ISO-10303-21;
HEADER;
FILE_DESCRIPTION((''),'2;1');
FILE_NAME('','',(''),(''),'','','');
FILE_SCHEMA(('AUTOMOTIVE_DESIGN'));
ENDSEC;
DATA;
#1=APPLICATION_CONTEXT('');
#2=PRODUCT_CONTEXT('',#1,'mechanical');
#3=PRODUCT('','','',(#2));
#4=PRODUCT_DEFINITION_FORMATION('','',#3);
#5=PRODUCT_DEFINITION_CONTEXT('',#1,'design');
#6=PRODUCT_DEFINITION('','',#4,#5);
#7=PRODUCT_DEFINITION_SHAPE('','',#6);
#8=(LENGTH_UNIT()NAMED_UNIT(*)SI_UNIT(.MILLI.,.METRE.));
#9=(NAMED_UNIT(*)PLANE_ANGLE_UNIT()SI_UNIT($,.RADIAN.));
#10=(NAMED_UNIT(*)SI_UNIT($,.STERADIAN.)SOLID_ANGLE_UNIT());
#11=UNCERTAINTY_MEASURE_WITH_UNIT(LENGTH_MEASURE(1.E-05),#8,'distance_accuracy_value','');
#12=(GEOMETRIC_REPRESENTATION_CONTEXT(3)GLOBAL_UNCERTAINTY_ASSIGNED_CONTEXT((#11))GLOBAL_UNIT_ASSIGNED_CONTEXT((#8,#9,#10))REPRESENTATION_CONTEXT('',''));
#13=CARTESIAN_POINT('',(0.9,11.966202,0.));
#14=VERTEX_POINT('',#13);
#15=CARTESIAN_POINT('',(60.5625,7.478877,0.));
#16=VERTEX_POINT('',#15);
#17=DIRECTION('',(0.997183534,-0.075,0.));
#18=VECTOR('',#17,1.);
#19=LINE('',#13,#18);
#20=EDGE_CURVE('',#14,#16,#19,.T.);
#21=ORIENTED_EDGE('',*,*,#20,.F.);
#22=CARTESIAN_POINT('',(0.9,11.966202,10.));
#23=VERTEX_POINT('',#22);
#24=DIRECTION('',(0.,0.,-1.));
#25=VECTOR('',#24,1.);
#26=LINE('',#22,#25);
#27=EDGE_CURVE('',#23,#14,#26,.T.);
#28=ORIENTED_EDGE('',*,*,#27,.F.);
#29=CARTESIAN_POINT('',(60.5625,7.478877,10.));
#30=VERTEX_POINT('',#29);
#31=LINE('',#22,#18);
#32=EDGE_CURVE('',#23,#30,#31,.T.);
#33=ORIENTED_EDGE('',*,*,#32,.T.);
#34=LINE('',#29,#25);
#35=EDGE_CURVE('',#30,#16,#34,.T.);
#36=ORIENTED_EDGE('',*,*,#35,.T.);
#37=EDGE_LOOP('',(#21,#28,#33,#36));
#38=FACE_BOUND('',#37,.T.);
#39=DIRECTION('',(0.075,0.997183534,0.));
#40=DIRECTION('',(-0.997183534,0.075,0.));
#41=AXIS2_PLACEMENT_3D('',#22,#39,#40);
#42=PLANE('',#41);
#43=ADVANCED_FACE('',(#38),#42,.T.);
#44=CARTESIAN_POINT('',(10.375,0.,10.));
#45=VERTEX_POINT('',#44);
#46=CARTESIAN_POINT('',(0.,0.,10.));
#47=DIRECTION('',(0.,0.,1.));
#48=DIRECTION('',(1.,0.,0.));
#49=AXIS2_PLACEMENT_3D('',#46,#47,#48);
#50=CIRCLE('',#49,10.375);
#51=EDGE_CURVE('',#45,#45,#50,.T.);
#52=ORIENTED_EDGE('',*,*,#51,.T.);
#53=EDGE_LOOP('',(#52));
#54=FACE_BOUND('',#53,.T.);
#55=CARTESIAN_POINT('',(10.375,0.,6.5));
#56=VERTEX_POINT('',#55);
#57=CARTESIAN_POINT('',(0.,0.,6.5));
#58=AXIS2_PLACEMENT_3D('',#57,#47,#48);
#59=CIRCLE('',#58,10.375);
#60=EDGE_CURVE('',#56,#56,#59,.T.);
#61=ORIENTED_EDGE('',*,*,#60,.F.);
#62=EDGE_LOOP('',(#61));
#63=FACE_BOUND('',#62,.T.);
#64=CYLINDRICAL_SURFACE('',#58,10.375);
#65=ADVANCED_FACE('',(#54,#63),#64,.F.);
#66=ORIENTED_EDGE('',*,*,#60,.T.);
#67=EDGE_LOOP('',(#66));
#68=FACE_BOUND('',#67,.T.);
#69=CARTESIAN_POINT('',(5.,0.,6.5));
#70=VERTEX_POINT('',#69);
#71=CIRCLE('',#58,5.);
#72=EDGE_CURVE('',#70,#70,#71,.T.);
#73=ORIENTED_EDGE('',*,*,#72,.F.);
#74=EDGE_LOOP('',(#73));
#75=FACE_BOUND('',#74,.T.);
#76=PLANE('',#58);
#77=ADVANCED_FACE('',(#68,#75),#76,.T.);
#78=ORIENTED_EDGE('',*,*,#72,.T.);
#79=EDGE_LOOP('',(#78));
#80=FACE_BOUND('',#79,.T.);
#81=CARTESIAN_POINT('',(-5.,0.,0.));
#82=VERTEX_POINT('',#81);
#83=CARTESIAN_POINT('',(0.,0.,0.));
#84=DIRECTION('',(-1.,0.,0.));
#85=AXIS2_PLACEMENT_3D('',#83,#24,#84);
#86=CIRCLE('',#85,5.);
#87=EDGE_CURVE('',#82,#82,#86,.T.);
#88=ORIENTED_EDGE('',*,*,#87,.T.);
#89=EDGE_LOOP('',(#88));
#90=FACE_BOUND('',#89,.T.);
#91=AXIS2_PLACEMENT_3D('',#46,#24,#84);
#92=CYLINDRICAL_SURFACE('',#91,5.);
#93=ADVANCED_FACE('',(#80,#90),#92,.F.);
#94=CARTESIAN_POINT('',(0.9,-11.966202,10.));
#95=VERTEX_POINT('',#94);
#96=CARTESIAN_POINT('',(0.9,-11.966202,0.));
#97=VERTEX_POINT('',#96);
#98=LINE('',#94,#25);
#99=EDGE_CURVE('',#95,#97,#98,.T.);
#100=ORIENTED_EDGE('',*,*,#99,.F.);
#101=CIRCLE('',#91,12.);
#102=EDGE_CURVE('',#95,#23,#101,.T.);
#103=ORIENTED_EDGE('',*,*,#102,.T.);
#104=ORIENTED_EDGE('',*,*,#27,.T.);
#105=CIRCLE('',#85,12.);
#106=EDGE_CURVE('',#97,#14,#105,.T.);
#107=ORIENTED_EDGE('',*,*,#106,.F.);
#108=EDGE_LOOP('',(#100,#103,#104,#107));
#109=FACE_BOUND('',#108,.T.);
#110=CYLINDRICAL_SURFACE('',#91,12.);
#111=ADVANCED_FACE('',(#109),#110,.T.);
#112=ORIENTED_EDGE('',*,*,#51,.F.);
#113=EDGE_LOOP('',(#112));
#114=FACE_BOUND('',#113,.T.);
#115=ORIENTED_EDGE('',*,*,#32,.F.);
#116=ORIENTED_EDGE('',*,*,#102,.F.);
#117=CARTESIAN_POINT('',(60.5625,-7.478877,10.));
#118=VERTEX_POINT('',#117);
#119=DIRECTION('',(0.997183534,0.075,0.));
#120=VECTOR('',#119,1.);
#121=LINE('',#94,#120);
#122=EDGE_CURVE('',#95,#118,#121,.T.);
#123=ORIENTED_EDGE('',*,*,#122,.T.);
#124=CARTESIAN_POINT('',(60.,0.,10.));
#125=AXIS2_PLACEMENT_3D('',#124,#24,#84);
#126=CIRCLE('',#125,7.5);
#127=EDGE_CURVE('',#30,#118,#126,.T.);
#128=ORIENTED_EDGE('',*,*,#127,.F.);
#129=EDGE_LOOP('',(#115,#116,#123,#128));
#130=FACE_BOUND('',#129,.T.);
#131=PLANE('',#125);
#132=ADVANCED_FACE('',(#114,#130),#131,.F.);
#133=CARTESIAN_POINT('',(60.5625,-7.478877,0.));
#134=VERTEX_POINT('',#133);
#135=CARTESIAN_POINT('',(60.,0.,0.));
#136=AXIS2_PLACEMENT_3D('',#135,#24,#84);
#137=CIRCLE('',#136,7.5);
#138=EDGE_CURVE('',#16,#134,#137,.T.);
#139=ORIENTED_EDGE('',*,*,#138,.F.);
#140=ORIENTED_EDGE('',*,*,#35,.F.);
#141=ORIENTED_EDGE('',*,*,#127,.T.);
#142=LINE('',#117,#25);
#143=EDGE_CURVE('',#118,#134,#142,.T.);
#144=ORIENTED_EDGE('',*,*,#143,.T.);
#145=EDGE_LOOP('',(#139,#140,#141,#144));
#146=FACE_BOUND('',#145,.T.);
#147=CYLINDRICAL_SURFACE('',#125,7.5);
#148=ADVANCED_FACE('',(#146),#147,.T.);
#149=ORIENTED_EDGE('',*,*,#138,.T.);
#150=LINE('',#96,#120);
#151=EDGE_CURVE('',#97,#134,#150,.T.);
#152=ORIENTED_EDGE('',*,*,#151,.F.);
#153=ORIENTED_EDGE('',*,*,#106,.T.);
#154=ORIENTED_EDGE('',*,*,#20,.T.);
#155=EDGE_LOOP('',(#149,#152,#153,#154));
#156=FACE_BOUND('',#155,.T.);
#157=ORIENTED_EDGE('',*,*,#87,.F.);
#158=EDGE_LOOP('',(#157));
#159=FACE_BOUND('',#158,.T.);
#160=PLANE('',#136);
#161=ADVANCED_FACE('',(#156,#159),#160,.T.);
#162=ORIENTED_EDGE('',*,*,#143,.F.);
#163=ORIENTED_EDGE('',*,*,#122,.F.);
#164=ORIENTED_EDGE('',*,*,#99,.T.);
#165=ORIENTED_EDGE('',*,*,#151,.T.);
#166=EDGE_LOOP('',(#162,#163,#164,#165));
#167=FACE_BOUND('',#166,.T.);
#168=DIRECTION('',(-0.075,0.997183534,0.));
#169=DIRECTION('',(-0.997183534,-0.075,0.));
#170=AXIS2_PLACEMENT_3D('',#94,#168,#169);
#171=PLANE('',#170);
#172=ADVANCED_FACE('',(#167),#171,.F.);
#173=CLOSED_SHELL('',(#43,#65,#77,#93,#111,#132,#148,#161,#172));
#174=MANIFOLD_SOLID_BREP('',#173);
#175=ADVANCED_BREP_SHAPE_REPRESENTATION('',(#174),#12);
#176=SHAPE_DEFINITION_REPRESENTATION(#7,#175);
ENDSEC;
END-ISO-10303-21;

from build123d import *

# Parameters (mm, degrees)
EXTRUDE_1_DEPTH     = 10
SKETCH_2_R          = 10.375
CUT_EXTRUDE_1_DEPTH = 3.5
SKETCH_3_R          = 5
CUT_EXTRUDE_2_DEPTH = 70.283836499


with BuildPart() as part:
    # 草图1 → 凸台-拉伸1 (new body)
    with BuildSketch(Plane.XY):
        with BuildLine():
            Line((0.9, -11.966202405), (60.5625, -7.478876503))
            ThreePointArc((60.5625, -7.478876503), (67.5, 0), (60.5625, 7.478876503))
            Line((60.5625, 7.478876503), (0.9, 11.966202405))
            ThreePointArc((0.9, 11.966202405), (-12, 0), (0.9, -11.966202405))
        make_face()
    extrude(amount=EXTRUDE_1_DEPTH)

    # 草图2 → 切除-拉伸1 (cut)
    with BuildSketch(Plane.XY.offset(10)):
        Circle(SKETCH_2_R)
    extrude(amount=-CUT_EXTRUDE_1_DEPTH, mode=Mode.SUBTRACT)

    # 草图3 → 切除-拉伸2 (cut, through all)
    with BuildSketch(Plane(origin=(0, 0, 0), x_dir=(-1, 0, 0), z_dir=(0, 0, -1))):
        Circle(SKETCH_3_R)
    extrude(amount=-CUT_EXTRUDE_2_DEPTH, mode=Mode.SUBTRACT)


solid = part.part
